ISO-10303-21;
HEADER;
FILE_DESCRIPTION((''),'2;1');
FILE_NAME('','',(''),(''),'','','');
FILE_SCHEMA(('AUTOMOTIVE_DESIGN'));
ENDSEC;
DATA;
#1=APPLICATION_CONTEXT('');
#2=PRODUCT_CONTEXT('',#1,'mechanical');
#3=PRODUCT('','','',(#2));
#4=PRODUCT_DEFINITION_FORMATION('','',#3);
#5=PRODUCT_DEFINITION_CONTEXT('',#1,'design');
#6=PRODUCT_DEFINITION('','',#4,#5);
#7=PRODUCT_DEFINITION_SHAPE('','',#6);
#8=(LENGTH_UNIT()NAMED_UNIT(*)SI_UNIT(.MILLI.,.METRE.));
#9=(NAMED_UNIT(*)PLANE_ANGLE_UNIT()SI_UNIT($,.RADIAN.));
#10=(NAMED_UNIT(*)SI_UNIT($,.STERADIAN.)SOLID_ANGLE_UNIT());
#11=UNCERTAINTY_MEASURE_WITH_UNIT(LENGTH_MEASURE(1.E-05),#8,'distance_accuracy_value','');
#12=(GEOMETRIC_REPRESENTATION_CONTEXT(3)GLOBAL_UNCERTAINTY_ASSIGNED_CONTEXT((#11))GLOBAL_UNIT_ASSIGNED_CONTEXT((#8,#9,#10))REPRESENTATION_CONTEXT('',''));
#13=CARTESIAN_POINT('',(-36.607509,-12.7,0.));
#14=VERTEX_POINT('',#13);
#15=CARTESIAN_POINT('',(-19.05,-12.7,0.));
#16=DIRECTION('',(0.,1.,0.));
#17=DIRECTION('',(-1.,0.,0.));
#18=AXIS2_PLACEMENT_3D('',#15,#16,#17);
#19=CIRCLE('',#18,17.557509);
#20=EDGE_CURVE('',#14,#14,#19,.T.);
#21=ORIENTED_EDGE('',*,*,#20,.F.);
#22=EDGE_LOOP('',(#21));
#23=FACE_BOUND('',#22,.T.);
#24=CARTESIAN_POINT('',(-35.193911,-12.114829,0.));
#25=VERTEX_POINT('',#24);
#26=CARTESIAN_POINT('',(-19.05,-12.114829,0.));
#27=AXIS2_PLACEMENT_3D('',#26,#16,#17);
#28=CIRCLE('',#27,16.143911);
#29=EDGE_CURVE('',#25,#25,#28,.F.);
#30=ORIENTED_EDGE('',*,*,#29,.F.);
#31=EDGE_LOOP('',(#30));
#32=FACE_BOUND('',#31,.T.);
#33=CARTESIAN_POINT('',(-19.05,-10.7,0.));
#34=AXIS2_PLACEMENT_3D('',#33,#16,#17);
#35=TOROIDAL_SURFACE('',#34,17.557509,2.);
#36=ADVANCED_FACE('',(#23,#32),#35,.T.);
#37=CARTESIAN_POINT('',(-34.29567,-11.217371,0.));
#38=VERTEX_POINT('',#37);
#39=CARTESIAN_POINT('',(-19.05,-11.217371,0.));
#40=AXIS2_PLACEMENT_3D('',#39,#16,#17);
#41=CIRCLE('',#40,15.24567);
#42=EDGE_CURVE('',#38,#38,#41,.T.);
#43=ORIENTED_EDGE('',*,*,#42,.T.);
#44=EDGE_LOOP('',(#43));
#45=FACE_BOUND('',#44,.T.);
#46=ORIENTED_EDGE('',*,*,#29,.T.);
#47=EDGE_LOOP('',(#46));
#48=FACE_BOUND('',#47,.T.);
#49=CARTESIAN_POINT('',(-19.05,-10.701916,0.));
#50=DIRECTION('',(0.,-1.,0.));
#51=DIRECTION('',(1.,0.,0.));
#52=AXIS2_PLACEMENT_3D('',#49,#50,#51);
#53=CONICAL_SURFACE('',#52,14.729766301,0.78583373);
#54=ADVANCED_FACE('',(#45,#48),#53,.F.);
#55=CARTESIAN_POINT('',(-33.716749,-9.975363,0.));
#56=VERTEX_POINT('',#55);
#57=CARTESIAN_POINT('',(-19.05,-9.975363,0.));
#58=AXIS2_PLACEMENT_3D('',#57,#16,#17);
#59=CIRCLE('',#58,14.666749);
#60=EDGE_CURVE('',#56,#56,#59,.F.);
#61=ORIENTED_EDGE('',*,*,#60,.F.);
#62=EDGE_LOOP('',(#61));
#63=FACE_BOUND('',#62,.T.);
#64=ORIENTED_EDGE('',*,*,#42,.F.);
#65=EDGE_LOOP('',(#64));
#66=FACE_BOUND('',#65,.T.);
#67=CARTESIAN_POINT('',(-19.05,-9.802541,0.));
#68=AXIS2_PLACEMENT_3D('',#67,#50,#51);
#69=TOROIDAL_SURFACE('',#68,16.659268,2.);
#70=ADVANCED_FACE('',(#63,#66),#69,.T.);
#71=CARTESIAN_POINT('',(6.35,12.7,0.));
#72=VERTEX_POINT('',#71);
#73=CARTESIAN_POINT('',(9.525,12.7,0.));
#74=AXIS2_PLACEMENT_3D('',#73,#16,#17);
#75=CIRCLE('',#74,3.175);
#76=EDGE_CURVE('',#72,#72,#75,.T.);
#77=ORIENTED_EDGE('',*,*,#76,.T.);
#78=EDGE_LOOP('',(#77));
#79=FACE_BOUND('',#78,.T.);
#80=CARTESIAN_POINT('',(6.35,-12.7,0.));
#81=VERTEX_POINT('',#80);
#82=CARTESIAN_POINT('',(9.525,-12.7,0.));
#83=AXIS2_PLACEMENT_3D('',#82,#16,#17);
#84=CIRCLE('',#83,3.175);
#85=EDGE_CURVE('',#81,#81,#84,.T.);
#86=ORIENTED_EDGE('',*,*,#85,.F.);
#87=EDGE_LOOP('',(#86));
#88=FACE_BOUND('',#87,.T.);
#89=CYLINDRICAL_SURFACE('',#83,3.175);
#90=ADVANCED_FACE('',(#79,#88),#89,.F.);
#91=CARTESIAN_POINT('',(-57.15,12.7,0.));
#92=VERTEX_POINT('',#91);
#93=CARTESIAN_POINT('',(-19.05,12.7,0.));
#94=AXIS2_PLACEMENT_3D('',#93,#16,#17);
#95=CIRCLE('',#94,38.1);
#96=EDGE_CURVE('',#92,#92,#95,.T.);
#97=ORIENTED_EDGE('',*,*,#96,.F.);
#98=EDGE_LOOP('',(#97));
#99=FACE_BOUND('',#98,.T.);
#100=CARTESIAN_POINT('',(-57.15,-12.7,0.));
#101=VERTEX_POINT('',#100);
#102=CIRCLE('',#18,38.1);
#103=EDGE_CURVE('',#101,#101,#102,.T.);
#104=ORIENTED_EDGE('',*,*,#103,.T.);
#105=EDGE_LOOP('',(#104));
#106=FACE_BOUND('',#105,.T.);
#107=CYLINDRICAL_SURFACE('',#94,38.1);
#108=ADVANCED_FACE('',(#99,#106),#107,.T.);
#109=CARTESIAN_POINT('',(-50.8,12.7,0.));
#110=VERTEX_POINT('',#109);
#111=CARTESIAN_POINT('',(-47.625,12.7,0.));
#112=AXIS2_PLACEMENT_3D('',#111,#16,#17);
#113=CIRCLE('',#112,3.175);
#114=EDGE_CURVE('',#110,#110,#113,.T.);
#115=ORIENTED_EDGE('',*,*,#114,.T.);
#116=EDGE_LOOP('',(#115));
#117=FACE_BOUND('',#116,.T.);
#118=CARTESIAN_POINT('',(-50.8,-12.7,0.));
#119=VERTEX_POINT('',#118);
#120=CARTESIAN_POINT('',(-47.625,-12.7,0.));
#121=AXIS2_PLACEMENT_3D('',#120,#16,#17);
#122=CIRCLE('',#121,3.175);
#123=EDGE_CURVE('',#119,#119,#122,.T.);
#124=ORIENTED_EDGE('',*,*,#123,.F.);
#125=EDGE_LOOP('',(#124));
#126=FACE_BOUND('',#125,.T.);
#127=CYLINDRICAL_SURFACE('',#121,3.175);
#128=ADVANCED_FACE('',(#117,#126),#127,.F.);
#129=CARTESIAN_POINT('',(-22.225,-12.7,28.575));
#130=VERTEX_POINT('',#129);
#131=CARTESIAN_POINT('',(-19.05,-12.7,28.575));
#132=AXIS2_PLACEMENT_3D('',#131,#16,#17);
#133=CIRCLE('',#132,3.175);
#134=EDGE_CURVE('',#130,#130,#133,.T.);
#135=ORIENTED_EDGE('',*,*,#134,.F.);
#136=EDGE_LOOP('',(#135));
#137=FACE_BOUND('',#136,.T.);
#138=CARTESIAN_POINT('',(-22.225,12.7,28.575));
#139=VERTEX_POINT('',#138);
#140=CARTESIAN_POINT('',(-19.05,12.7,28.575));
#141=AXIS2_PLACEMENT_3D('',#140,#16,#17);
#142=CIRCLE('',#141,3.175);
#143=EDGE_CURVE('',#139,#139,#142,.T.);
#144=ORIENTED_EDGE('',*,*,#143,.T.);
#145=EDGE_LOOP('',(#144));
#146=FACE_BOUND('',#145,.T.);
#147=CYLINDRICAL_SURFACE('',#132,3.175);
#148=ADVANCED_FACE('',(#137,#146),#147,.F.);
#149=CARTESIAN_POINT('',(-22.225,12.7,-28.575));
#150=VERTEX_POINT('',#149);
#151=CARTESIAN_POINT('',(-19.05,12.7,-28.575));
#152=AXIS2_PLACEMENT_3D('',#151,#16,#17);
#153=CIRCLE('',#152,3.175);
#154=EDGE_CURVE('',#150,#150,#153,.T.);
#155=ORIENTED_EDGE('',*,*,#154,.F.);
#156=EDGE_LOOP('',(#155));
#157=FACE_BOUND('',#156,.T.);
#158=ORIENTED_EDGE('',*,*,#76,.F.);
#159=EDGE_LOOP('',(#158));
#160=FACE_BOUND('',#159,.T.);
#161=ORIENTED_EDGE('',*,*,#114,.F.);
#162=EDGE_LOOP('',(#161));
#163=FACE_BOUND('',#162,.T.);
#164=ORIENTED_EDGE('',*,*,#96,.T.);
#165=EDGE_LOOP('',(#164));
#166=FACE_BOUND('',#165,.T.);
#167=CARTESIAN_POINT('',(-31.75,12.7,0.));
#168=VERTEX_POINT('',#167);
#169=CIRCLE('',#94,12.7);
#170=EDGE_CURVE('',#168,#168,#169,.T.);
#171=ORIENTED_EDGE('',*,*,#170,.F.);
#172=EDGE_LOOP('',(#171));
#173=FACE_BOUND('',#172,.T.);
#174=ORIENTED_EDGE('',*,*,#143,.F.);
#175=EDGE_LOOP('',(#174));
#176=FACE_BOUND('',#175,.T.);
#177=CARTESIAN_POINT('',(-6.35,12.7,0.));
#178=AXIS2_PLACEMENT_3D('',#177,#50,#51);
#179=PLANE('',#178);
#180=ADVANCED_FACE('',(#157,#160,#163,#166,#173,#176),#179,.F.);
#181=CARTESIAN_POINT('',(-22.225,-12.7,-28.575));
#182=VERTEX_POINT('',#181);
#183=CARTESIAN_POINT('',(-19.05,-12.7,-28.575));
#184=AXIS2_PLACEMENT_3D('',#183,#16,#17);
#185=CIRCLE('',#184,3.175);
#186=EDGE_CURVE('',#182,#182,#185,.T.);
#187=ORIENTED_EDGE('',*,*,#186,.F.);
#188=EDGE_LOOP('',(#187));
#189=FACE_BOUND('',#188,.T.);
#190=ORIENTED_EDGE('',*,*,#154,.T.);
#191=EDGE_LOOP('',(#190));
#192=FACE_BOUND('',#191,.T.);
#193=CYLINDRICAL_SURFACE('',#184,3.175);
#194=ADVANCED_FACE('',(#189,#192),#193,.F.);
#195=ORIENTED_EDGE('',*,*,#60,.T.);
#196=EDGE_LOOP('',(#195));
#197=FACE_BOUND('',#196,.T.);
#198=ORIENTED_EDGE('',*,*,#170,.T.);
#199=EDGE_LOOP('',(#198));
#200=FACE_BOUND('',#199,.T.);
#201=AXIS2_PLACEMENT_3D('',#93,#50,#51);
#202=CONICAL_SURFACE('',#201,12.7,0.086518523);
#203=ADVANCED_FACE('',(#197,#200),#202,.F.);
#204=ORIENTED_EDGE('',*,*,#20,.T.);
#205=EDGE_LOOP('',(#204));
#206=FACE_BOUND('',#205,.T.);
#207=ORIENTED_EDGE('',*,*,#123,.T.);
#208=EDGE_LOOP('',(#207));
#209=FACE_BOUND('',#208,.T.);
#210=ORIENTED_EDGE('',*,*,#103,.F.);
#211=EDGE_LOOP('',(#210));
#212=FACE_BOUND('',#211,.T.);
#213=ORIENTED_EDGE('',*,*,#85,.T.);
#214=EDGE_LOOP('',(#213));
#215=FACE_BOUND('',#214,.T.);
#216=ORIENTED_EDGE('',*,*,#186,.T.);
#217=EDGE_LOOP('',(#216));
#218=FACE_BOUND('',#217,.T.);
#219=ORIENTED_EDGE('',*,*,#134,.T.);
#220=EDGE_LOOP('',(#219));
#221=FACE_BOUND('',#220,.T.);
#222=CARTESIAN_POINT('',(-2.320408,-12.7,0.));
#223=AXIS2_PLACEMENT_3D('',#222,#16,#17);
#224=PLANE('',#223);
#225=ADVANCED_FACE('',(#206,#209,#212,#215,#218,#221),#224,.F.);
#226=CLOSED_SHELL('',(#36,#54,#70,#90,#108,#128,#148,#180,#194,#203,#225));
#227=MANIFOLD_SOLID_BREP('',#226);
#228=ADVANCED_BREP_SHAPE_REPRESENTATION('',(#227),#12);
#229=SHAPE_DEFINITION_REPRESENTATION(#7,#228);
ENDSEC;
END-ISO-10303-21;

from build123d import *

# Parameters (mm, degrees)
FILLET1_R          = 2
SKETCH3_R          = 3.175
CUT_EXTRUDE1_DEPTH = 74.231772476


with BuildPart() as part:
    # Sketch2 → Revolve2 (revolve)
    with BuildSketch(Plane.XY, mode=Mode.PRIVATE) as revolve2_sk:
        Polygon((19.05, -12.7), (-2.29475363, -12.7), (-2.320408163, -12.7), (-4.320233699, -10.701915819), (-6.35, 12.7), (19.05, 12.7), align=None)
    revolve(revolve2_sk.sketch.rotate(Axis((-19.05, 12.7, 0), (0, -1, 0)), 180), axis=Axis((-19.05, 12.7, 0), (0, -1, 0)))

    # Fillet1
    fillet1_edges = [part.edges().sort_by_distance(p)[0] for p in [
        (-4.320233699, -10.701915819, 0),
        (-2.320408163, -12.7, 0),
    ]]
    fillet(fillet1_edges, radius=FILLET1_R)

    # Sketch3 → Cut-Extrude1 (cut, through all)
    with BuildSketch(Plane(origin=(0, 12.7, 0), x_dir=(1, 0, 0), z_dir=(0, 1, 0))):
        with Locations(Location((-19.05, 28.575, 0), (0, 0, 180))):
            Circle(SKETCH3_R)
        with Locations(Location((9.525, 0, 0), (0, 0, 180))):
            Circle(SKETCH3_R)
        with Locations(Location((-19.05, -28.575, 0), (0, 0, 180))):
            Circle(SKETCH3_R)
        with Locations(Location((-47.625, 0, 0), (0, 0, 180))):
            Circle(SKETCH3_R)
    extrude(amount=-CUT_EXTRUDE1_DEPTH, mode=Mode.SUBTRACT)


solid = part.part
